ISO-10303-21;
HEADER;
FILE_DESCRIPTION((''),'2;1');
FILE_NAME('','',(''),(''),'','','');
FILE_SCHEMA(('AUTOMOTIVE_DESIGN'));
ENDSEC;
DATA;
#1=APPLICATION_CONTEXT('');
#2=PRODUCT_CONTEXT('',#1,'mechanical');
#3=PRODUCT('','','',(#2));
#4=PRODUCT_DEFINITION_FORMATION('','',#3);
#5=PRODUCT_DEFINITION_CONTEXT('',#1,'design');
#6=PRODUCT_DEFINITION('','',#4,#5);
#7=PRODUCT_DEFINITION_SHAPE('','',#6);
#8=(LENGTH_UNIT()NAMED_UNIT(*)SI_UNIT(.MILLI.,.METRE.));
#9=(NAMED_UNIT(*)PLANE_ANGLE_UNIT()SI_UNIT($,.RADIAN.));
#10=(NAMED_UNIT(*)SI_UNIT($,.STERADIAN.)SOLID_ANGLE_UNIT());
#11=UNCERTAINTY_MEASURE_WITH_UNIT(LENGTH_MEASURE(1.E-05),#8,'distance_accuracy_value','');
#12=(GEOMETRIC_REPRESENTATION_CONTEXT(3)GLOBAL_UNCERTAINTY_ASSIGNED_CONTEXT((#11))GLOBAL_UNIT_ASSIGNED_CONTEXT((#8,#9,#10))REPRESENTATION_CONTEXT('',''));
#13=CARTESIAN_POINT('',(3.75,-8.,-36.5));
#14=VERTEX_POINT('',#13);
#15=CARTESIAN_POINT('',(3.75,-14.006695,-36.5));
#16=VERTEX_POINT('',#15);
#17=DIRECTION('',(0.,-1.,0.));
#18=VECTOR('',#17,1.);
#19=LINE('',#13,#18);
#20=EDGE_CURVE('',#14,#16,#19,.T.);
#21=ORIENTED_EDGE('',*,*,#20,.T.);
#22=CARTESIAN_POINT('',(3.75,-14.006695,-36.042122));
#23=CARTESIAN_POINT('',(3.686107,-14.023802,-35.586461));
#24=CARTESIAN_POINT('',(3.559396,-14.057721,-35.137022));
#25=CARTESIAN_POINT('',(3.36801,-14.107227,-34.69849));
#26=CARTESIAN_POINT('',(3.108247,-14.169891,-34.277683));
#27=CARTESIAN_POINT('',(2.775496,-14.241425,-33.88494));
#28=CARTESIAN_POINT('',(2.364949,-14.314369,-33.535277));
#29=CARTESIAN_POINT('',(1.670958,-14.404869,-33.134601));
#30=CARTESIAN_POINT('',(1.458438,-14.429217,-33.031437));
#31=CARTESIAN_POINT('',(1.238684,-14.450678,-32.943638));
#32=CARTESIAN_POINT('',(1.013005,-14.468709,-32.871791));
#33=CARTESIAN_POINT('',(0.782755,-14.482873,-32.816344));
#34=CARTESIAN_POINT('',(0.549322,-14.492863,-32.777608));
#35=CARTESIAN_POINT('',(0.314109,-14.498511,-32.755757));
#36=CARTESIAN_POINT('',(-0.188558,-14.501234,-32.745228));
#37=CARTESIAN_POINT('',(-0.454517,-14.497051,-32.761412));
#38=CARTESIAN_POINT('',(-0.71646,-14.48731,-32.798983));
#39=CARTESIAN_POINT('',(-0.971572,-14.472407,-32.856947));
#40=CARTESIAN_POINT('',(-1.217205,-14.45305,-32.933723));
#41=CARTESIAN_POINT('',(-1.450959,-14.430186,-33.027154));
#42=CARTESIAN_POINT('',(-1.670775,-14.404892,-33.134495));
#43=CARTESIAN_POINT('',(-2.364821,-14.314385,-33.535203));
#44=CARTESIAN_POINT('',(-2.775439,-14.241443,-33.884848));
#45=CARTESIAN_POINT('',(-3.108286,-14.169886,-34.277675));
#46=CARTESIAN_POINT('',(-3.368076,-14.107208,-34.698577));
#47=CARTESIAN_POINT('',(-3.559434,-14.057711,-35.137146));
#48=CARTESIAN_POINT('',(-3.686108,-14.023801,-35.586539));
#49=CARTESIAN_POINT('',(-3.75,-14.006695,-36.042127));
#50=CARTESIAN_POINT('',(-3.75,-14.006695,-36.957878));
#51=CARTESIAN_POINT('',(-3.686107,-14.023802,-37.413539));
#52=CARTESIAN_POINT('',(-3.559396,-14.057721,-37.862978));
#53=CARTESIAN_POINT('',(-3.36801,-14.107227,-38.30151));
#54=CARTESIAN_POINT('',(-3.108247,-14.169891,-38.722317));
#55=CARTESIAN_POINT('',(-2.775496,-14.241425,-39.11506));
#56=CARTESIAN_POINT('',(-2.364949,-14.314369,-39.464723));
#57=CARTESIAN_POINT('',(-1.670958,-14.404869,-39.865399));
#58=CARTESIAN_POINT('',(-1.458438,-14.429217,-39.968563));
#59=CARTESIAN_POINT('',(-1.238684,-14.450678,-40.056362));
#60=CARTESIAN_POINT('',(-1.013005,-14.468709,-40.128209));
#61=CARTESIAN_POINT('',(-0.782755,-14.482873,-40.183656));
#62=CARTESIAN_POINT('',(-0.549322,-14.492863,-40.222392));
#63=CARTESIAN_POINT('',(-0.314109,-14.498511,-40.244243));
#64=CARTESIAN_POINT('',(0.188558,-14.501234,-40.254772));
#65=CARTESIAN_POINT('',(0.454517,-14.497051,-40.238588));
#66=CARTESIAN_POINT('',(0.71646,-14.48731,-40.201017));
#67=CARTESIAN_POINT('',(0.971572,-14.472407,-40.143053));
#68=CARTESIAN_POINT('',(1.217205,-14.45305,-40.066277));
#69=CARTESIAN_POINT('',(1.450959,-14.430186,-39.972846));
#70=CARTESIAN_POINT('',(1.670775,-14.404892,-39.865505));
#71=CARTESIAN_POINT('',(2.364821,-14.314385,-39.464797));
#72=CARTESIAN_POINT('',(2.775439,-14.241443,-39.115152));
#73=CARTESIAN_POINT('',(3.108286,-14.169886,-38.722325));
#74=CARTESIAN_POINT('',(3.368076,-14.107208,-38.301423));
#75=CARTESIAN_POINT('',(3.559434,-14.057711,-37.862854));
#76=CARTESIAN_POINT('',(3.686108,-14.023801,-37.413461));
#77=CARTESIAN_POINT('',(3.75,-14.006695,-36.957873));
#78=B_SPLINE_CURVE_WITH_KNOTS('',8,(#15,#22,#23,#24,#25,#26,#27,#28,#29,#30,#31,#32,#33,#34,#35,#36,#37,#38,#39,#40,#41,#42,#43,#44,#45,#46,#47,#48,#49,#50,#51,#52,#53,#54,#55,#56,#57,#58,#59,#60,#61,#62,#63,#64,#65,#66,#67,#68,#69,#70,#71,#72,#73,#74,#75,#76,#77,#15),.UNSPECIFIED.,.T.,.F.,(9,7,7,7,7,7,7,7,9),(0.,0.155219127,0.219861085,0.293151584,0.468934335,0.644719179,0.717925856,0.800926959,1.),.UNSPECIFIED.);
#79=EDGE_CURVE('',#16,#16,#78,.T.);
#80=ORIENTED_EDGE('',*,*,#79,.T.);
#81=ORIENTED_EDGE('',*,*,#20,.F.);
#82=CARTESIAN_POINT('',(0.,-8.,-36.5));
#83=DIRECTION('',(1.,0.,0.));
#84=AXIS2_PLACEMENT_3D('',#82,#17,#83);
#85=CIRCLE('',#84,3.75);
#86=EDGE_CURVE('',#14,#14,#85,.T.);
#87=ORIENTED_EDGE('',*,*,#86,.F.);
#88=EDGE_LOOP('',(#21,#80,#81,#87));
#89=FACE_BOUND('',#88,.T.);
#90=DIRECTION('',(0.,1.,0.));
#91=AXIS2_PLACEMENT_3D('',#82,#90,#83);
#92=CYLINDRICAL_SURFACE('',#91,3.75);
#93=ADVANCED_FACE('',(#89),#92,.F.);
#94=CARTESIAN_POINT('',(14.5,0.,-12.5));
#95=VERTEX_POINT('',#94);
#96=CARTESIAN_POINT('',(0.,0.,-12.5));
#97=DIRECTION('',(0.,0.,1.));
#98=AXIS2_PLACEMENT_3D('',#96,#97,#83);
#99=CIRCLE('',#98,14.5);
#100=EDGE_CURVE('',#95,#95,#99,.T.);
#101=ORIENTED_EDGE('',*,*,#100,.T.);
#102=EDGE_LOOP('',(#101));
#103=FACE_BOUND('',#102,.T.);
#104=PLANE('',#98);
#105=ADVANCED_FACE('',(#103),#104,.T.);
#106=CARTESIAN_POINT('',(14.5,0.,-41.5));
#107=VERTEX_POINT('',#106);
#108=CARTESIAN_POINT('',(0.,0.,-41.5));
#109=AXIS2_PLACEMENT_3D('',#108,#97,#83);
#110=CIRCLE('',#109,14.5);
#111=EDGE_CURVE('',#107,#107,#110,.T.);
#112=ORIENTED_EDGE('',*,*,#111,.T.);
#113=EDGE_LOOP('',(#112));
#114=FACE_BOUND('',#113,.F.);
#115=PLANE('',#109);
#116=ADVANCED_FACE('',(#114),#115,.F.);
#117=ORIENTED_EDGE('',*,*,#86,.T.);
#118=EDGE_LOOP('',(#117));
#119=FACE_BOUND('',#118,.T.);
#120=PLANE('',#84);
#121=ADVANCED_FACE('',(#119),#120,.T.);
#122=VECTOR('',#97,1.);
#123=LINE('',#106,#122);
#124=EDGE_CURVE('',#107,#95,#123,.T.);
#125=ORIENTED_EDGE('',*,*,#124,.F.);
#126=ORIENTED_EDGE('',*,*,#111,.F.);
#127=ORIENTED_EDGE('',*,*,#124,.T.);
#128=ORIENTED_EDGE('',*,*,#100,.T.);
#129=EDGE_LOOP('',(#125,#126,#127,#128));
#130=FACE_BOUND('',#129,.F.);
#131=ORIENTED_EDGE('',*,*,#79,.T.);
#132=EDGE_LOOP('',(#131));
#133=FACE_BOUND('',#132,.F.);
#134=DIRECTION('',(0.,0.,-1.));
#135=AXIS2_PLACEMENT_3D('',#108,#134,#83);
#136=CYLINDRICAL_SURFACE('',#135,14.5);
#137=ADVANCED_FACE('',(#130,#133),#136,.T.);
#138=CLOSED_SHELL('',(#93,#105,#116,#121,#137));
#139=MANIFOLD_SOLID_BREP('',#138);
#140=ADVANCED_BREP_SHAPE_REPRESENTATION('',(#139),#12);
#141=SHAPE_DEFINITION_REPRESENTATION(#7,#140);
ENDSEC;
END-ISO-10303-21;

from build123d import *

# Parameters (mm, degrees)
CYLINDER215_R     = 3.75
CYLINDER215_DEPTH = 10
CYLINDER211_R     = 14.5
CYLINDER211_DEPTH = 29


with BuildPart() as cylinder215:
    # Cylinder215 → Cylinder215 (new body)
    with BuildSketch(Plane(origin=(0, -8, -36.5), x_dir=(1, 0, 0), z_dir=(0, -1, 0))):
        Circle(CYLINDER215_R)
    extrude(amount=CYLINDER215_DEPTH)


with BuildPart() as base011:
    # Cylinder211 → Cylinder211 (new body)
    with BuildSketch(Plane.XY.offset(-41.5)):
        Circle(CYLINDER211_R)
    extrude(amount=CYLINDER211_DEPTH)

    # Cut152: cut Cylinder215
    add(cylinder215.part, mode=Mode.SUBTRACT)


solid = base011.part
